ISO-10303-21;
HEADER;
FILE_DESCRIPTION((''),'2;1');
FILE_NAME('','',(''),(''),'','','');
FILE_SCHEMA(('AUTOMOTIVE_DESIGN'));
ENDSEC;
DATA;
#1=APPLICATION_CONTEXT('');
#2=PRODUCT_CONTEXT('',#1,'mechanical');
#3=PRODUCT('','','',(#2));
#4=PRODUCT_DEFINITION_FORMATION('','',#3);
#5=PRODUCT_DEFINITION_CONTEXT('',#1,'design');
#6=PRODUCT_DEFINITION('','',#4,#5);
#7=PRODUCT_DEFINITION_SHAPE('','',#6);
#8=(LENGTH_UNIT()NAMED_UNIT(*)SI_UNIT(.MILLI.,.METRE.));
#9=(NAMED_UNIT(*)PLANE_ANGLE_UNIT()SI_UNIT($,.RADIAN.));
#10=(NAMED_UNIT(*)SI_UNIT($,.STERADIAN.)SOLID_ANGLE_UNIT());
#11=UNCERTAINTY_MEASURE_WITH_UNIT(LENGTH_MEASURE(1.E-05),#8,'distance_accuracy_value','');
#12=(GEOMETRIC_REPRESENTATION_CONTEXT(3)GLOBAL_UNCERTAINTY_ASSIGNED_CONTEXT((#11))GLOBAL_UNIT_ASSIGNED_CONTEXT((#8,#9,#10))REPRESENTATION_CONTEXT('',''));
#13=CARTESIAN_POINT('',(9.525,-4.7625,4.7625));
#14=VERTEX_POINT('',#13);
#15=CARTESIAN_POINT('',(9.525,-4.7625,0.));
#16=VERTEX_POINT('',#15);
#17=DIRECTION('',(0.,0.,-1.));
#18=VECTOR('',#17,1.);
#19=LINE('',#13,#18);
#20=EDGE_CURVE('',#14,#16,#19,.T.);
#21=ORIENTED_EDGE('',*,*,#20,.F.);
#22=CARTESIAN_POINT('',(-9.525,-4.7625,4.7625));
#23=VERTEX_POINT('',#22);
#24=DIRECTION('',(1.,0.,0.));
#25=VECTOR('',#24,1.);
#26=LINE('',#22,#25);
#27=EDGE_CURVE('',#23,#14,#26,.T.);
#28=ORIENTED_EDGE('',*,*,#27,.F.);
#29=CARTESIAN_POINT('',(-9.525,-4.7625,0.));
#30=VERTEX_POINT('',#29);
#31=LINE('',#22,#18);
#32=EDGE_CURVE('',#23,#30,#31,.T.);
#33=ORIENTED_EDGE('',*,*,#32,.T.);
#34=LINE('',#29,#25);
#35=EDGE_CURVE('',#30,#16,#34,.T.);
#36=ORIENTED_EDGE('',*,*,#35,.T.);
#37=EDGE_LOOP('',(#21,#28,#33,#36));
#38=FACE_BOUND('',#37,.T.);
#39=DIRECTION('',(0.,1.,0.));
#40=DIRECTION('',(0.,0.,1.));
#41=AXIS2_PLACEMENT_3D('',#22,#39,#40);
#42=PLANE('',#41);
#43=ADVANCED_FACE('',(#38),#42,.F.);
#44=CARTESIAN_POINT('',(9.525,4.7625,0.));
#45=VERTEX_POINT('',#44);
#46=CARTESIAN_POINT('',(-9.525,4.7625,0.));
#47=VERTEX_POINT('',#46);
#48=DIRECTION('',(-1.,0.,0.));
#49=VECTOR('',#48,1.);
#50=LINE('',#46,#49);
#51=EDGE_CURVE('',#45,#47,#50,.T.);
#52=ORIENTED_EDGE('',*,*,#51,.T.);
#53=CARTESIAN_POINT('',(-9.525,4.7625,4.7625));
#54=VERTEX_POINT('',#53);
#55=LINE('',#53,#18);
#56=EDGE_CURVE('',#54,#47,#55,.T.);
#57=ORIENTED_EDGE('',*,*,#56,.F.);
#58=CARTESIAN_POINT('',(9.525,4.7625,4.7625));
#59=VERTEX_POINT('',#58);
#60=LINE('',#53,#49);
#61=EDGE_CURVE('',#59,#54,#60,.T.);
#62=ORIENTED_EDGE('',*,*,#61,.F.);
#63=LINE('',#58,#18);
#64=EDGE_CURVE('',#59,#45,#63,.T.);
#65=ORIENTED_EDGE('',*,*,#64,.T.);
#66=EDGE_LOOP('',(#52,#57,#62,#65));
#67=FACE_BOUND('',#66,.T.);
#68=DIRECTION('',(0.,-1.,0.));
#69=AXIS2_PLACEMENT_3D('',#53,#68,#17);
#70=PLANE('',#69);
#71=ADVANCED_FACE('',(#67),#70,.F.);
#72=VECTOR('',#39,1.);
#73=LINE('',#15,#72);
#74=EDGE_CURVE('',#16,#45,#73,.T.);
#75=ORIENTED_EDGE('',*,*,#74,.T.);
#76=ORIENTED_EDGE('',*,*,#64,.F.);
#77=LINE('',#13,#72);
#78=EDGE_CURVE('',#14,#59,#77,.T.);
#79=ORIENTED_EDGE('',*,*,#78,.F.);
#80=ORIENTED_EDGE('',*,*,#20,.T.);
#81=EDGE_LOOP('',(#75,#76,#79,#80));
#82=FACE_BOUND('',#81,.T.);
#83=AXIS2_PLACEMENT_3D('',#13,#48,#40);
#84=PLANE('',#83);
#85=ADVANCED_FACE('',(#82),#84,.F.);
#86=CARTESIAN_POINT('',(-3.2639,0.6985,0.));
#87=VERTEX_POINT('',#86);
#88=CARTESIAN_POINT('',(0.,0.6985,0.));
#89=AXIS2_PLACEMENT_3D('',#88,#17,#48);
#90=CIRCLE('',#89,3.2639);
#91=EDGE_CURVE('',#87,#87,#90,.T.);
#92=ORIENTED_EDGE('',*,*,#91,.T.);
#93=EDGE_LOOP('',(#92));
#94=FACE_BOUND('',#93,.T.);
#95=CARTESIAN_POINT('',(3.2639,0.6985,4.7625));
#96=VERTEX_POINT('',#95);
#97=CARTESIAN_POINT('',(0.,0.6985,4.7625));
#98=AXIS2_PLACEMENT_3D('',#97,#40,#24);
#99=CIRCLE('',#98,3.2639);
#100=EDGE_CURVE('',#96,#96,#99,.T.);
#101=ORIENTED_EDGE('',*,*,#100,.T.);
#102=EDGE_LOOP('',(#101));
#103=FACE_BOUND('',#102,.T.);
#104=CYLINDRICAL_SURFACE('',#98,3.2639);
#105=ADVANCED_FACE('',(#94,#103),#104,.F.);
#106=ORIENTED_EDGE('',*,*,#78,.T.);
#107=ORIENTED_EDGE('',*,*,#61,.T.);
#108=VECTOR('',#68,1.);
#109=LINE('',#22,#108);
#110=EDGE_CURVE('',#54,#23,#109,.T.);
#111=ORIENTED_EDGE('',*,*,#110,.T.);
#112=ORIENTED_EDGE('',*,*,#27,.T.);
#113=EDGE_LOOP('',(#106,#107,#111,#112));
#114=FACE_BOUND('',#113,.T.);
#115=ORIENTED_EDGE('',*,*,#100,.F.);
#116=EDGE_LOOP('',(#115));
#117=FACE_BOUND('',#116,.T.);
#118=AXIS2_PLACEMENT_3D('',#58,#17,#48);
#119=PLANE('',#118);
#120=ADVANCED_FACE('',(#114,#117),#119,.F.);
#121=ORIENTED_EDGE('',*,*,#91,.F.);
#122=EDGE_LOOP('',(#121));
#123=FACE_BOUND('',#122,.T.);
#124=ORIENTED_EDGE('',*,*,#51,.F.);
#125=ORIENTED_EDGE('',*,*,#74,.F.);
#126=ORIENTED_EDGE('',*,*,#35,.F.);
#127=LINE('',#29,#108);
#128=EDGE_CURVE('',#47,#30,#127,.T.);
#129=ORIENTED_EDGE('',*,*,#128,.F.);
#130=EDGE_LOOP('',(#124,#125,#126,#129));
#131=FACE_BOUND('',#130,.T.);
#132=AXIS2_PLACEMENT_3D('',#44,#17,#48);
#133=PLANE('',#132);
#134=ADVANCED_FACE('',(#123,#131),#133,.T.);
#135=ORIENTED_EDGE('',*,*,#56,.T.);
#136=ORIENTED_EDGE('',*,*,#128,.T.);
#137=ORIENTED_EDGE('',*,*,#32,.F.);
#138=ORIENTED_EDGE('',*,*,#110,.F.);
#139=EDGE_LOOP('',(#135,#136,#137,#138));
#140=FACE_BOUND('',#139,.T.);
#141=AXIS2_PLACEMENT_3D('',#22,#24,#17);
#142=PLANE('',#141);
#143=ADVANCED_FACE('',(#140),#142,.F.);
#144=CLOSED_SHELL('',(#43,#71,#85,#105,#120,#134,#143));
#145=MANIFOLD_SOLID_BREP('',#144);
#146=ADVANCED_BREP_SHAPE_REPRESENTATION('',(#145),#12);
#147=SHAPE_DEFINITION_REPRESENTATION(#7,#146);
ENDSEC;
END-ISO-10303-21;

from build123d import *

# Parameters (mm, degrees)
SKETCH1_W                   = 19.05
SKETCH1_H                   = 9.525
EXTRUDE1_DEPTH              = 4.7625
F_1_4_CLEARANCE_HOLE1_D     = 6.5278
F_1_4_CLEARANCE_HOLE1_DEPTH = 15.24
F_1_4_CLEARANCE_HOLE1_TIP   = 1.961148974


with BuildPart() as part:
    # Sketch1 → Extrude1 (new body)
    with BuildSketch(Plane.XY):
        Rectangle(SKETCH1_W, SKETCH1_H)
    extrude(amount=EXTRUDE1_DEPTH)

    # 1/4 Clearance Hole1
    with Locations(Plane(origin=(0, 0.6985, 4.7625), x_dir=(1, 0, 0), z_dir=(0, 0, 1))):
        with Locations((0, 0)):
            Hole(F_1_4_CLEARANCE_HOLE1_D / 2, depth=F_1_4_CLEARANCE_HOLE1_DEPTH)
            with Locations((0, 0, -(F_1_4_CLEARANCE_HOLE1_DEPTH + F_1_4_CLEARANCE_HOLE1_TIP / 2))):  # 118° drill point
                Cone(0, F_1_4_CLEARANCE_HOLE1_D / 2, F_1_4_CLEARANCE_HOLE1_TIP, mode=Mode.SUBTRACT)


solid = part.part
